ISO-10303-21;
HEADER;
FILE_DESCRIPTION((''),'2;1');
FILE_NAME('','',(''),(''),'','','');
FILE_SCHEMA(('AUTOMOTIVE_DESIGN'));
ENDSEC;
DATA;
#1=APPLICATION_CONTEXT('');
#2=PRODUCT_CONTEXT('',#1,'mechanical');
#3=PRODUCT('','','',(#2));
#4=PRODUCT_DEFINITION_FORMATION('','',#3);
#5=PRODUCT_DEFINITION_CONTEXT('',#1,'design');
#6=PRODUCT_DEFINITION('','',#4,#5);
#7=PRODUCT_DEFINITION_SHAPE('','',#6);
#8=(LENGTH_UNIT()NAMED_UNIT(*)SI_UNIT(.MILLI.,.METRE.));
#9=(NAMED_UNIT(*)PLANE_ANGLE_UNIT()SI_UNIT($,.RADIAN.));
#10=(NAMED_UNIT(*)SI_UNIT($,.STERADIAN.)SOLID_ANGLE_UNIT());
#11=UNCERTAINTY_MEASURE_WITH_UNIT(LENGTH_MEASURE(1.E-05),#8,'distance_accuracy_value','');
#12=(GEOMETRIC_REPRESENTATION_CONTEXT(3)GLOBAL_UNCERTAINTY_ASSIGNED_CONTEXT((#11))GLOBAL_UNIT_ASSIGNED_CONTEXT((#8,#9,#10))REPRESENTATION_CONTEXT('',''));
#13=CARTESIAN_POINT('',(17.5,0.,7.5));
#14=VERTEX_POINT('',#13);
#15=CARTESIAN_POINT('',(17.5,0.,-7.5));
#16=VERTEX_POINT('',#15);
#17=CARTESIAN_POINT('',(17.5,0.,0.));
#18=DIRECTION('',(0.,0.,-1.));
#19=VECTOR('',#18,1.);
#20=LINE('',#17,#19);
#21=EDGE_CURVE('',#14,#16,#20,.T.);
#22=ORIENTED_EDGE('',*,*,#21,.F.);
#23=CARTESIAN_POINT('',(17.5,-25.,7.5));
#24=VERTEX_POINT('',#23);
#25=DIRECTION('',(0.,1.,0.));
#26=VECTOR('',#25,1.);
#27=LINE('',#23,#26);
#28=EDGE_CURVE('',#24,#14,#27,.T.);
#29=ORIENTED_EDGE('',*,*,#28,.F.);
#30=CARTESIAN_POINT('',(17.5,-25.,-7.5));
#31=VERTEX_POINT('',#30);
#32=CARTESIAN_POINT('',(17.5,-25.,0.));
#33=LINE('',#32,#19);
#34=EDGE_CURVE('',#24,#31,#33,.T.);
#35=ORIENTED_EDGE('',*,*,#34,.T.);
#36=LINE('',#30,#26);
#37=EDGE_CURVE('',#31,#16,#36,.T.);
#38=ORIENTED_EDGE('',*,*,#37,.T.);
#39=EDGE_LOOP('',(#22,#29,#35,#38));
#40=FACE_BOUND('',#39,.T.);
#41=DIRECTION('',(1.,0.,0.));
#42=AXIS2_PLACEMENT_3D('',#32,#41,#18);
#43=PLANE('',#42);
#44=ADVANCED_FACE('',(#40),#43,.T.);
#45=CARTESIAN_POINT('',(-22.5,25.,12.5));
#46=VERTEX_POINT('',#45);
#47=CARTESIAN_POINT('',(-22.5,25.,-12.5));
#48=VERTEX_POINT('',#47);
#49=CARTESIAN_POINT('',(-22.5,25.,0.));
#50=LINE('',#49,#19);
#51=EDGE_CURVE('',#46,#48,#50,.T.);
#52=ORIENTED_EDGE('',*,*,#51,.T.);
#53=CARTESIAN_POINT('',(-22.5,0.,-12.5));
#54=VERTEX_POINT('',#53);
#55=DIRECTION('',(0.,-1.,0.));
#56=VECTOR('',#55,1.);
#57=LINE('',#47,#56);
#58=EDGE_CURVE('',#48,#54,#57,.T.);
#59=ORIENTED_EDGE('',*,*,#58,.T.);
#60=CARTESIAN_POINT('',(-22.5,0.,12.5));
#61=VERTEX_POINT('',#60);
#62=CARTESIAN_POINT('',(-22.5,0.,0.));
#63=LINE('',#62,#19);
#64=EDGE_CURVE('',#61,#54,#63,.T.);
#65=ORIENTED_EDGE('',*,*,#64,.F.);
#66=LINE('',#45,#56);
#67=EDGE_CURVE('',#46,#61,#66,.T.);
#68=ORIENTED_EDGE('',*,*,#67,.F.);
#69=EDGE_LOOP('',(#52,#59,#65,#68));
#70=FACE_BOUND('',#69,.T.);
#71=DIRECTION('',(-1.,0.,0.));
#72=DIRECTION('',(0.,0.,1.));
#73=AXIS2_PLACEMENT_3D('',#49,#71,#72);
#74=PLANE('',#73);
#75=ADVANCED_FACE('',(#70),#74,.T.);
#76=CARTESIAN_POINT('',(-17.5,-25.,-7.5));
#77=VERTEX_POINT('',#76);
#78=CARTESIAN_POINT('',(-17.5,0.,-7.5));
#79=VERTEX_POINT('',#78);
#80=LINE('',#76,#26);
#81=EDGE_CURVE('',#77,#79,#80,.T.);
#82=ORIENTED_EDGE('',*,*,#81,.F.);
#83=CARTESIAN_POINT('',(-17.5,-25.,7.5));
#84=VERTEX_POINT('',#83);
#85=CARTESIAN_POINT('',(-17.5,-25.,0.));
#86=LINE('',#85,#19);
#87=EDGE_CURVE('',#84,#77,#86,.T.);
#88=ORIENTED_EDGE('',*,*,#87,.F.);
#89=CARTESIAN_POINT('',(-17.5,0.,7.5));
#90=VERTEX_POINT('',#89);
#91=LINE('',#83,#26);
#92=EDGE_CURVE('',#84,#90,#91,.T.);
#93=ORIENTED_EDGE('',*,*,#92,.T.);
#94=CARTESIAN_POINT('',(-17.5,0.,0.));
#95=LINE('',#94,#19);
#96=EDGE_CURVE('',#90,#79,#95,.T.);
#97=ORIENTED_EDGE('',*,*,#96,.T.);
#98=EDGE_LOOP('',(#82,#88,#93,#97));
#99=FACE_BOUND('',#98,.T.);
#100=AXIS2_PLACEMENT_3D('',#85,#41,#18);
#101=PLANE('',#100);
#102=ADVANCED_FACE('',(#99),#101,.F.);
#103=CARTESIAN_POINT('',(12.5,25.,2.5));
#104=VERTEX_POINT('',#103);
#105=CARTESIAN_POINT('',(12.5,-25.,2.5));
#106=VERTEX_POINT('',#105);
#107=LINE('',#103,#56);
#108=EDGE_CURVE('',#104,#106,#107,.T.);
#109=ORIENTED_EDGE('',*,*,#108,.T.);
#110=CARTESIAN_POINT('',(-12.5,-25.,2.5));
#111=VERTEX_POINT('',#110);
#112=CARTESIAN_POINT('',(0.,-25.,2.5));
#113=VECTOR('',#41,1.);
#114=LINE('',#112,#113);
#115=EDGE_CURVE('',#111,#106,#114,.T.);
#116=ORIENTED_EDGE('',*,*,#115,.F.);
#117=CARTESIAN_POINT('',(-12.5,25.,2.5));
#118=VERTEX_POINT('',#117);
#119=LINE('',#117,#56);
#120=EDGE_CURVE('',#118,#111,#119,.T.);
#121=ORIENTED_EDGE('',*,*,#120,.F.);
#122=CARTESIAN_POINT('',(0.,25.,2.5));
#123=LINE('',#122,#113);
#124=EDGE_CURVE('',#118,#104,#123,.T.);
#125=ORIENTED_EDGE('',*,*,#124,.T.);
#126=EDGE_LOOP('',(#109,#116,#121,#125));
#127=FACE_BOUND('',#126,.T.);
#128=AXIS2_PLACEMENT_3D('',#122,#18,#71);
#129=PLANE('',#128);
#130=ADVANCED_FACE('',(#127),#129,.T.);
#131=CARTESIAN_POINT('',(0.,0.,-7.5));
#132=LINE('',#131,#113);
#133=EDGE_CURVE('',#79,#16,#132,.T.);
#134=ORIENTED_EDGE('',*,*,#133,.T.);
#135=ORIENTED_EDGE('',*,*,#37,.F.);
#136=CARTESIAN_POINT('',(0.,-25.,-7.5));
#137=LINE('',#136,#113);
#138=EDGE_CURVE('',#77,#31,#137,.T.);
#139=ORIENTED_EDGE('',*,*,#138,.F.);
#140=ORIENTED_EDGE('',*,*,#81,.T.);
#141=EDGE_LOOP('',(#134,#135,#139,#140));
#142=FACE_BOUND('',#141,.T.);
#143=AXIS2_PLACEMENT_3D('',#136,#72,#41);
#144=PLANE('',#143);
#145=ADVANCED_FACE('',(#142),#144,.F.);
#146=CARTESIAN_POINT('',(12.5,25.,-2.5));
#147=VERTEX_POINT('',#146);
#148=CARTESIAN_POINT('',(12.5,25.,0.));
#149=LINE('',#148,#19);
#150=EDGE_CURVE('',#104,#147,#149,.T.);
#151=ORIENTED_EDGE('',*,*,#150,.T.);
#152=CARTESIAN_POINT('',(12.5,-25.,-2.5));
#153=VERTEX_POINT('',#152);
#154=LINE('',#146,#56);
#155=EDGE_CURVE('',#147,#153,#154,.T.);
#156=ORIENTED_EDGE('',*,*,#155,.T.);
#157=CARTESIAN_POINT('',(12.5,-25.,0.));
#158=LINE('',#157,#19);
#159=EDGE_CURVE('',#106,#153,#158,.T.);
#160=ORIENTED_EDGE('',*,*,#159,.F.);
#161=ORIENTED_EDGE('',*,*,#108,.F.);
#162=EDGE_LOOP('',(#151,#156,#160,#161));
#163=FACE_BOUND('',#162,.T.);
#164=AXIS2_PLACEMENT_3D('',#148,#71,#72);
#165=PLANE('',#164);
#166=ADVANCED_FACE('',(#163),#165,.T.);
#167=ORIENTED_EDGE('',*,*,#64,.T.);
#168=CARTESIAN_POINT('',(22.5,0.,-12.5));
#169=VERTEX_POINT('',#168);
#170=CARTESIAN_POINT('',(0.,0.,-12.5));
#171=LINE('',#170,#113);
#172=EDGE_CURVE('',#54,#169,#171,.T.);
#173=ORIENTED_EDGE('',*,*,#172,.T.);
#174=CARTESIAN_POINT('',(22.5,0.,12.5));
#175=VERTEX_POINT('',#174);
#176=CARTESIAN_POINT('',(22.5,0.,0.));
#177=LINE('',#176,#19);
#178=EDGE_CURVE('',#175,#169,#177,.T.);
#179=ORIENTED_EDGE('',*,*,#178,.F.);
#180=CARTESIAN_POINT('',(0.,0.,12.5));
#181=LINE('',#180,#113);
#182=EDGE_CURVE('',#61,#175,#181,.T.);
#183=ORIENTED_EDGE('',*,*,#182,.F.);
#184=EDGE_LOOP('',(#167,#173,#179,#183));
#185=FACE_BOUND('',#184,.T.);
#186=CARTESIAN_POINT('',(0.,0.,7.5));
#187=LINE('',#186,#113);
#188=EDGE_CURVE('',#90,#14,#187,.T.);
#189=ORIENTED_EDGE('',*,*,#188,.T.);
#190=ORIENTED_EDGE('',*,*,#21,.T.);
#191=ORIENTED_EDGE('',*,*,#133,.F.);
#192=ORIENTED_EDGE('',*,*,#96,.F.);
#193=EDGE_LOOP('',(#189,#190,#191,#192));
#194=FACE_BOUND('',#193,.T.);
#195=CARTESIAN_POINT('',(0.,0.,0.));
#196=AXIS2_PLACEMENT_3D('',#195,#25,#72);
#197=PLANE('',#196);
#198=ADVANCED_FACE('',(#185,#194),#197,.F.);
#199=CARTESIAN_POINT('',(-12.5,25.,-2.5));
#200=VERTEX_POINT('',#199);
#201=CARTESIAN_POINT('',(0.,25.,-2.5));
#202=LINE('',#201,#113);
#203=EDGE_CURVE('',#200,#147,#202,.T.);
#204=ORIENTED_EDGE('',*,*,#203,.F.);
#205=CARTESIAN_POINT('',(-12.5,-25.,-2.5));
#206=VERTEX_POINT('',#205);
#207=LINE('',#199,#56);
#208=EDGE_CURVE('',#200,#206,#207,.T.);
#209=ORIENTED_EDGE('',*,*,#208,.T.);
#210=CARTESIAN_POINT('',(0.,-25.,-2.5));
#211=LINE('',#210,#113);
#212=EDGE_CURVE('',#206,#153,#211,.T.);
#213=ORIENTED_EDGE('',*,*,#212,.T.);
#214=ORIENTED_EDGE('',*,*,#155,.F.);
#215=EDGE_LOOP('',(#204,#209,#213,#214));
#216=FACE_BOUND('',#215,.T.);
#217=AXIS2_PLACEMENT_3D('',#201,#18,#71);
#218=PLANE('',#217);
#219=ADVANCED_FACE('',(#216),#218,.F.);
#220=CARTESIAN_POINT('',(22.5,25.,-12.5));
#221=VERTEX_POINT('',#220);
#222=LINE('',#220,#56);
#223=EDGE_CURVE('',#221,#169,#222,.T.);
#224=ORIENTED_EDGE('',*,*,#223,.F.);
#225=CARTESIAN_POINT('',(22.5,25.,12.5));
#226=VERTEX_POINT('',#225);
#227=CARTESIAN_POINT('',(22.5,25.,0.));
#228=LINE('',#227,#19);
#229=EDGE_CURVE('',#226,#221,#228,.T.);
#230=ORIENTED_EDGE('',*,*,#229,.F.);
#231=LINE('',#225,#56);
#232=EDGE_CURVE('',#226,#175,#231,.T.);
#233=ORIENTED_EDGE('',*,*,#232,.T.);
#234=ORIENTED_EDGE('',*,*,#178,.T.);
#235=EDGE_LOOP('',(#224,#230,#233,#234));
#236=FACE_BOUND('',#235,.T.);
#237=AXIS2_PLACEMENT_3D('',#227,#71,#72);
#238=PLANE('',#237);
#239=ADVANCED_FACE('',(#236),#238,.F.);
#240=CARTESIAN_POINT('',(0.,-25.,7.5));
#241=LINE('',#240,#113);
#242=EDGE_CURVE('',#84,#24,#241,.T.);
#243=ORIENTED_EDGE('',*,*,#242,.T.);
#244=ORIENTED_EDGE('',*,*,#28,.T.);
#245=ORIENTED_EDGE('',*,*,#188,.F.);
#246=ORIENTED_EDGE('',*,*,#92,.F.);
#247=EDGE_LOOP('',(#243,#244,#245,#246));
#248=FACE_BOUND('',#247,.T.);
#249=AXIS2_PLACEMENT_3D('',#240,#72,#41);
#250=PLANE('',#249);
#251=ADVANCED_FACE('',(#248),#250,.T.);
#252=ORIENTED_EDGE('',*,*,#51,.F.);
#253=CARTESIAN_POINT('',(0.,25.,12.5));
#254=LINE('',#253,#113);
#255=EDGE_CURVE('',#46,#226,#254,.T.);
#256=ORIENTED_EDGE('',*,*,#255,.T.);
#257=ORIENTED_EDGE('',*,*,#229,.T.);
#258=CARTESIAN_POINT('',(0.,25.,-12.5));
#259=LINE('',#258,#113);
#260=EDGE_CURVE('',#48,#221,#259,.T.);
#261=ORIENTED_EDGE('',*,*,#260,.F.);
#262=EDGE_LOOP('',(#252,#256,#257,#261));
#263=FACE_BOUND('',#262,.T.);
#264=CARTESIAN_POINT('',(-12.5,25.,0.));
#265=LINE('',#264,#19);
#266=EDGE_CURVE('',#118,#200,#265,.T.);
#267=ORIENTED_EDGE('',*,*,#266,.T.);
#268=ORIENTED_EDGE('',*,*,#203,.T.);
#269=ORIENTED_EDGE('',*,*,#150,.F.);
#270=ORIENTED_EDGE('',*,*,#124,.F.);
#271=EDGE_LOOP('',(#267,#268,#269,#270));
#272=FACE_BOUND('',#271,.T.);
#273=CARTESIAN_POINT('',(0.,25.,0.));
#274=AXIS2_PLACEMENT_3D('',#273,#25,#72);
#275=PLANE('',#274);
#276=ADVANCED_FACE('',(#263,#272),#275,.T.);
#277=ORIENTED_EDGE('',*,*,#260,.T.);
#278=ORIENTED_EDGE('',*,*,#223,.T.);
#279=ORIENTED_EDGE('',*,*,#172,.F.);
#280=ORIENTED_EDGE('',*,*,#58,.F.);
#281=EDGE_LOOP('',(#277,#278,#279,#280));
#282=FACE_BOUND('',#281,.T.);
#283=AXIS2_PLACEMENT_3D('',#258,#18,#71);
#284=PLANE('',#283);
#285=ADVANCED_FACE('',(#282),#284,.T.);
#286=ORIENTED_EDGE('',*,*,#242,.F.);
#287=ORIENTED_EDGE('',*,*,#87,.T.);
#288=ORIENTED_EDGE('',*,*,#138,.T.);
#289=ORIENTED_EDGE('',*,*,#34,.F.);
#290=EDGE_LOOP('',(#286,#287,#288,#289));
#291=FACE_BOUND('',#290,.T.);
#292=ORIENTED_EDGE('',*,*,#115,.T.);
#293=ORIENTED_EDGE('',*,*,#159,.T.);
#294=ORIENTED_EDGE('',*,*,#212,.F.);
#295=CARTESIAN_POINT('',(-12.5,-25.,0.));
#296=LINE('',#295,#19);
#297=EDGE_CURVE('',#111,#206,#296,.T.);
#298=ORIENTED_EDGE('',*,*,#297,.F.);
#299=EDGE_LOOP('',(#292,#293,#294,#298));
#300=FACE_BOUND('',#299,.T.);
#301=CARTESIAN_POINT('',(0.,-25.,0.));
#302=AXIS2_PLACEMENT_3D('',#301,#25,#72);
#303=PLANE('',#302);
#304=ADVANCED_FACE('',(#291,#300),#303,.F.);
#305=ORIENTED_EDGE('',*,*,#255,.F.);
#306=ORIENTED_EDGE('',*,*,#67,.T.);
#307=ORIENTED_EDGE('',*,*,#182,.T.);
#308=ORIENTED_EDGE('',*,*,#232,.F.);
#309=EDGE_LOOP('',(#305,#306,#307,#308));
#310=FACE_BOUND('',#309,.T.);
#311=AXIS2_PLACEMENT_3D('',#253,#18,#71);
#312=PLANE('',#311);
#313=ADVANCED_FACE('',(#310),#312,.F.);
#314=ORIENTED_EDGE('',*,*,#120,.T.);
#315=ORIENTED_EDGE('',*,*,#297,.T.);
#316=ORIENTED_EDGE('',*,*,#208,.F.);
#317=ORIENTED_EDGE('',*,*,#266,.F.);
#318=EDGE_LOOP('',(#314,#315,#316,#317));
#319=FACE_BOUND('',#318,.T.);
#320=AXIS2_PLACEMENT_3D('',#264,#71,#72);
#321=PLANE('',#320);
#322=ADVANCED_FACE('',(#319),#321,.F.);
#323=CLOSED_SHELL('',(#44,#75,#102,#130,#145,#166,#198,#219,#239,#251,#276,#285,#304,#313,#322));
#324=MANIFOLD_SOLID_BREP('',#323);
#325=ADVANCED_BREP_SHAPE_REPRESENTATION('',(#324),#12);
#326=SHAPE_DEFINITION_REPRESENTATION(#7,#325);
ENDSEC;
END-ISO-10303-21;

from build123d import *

# Parameters (mm, degrees)
SKETCH1_W           = 45
SKETCH1_H           = 25
SKETCH1_W_2         = 25
SKETCH1_H_2         = 5
BOSS_EXTRUDE1_DEPTH = 25
SKETCH1_3_W         = 35
SKETCH1_3_H         = 15
SKETCH1_3_W_2       = 25
SKETCH1_3_H_2       = 5
BOSS_EXTRUDE2_DEPTH = 25


with BuildPart() as part:
    # Sketch1 → Boss-Extrude1 (new body)
    with BuildSketch(Plane(origin=(0, 0, 0), x_dir=(1, 0, 0), z_dir=(0, 1, 0))):
        Rectangle(SKETCH1_W, SKETCH1_H)
        Rectangle(SKETCH1_W_2, SKETCH1_H_2, mode=Mode.SUBTRACT)
    extrude(amount=BOSS_EXTRUDE1_DEPTH)

    # Sketch1<3> → Boss-Extrude2 (add)
    with BuildSketch(Plane(origin=(0, 0, 0), x_dir=(1, 0, 0), z_dir=(0, 1, 0))):
        Rectangle(SKETCH1_3_W, SKETCH1_3_H)
        Rectangle(SKETCH1_3_W_2, SKETCH1_3_H_2, mode=Mode.SUBTRACT)
    extrude(amount=-BOSS_EXTRUDE2_DEPTH)


solid = part.part
